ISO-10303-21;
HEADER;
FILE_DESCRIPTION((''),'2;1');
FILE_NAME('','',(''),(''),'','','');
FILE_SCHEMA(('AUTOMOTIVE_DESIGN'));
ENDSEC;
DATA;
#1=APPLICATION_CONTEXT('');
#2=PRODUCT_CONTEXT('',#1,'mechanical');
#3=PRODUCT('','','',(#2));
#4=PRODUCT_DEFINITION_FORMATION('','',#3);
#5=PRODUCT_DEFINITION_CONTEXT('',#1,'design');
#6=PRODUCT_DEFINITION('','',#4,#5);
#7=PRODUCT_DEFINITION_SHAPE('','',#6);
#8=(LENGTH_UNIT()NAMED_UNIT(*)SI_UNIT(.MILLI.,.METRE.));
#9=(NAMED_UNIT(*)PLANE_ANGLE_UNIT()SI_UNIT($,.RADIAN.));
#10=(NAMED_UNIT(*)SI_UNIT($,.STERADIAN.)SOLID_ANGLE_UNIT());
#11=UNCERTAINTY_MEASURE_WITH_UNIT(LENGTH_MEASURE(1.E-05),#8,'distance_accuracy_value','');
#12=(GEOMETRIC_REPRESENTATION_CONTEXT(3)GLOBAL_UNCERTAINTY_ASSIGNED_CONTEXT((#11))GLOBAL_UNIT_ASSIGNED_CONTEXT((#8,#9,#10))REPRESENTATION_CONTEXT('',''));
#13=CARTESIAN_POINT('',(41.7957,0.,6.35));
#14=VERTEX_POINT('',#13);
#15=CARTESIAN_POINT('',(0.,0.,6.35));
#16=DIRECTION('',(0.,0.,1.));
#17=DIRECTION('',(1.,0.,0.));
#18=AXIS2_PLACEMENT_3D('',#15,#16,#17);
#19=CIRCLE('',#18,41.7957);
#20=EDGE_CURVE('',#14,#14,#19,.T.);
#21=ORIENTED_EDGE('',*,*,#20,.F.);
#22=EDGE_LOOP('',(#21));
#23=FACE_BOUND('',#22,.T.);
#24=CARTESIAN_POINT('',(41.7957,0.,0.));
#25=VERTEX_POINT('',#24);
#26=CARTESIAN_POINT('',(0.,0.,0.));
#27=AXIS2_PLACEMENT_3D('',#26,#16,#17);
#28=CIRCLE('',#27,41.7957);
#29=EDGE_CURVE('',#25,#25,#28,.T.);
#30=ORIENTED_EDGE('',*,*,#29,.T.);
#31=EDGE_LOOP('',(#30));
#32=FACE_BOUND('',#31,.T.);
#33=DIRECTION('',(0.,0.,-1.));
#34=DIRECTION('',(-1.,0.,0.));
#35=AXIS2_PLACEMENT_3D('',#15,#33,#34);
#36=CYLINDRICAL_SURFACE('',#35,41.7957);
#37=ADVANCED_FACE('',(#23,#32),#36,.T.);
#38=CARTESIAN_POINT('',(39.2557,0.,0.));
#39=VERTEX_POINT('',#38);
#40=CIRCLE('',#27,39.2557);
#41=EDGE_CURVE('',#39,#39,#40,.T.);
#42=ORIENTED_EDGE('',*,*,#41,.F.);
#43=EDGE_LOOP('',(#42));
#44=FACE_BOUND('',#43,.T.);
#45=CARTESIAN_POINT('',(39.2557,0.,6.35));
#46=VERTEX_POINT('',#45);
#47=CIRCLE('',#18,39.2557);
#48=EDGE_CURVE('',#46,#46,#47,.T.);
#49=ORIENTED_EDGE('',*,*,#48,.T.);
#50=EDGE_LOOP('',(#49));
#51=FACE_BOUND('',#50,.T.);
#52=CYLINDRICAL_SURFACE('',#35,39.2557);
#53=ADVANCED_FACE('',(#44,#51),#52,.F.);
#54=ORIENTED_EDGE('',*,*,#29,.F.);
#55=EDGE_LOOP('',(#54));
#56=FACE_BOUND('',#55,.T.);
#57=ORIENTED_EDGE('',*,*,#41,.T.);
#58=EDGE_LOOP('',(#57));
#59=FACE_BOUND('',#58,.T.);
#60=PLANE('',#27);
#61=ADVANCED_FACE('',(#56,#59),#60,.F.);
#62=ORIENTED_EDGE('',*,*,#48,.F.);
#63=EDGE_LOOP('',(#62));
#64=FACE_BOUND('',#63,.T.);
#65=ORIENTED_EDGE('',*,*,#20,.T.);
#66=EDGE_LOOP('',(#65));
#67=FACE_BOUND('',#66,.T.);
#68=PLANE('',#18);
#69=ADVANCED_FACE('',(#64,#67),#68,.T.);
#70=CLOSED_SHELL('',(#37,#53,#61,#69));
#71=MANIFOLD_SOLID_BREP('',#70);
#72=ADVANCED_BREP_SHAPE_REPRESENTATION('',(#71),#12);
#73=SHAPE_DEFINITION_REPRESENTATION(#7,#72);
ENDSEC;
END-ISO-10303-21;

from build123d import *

# Parameters (mm, degrees)
SKETCH2_R           = 41.7957
SKETCH2_R_2         = 39.2557
BOSS_EXTRUDE1_DEPTH = 6.35


with BuildPart() as part:
    # Sketch2 → Boss-Extrude1 (new body)
    with BuildSketch(Plane.XY):
        Circle(SKETCH2_R)
        Circle(SKETCH2_R_2, mode=Mode.SUBTRACT)
    extrude(amount=BOSS_EXTRUDE1_DEPTH)


solid = part.part
